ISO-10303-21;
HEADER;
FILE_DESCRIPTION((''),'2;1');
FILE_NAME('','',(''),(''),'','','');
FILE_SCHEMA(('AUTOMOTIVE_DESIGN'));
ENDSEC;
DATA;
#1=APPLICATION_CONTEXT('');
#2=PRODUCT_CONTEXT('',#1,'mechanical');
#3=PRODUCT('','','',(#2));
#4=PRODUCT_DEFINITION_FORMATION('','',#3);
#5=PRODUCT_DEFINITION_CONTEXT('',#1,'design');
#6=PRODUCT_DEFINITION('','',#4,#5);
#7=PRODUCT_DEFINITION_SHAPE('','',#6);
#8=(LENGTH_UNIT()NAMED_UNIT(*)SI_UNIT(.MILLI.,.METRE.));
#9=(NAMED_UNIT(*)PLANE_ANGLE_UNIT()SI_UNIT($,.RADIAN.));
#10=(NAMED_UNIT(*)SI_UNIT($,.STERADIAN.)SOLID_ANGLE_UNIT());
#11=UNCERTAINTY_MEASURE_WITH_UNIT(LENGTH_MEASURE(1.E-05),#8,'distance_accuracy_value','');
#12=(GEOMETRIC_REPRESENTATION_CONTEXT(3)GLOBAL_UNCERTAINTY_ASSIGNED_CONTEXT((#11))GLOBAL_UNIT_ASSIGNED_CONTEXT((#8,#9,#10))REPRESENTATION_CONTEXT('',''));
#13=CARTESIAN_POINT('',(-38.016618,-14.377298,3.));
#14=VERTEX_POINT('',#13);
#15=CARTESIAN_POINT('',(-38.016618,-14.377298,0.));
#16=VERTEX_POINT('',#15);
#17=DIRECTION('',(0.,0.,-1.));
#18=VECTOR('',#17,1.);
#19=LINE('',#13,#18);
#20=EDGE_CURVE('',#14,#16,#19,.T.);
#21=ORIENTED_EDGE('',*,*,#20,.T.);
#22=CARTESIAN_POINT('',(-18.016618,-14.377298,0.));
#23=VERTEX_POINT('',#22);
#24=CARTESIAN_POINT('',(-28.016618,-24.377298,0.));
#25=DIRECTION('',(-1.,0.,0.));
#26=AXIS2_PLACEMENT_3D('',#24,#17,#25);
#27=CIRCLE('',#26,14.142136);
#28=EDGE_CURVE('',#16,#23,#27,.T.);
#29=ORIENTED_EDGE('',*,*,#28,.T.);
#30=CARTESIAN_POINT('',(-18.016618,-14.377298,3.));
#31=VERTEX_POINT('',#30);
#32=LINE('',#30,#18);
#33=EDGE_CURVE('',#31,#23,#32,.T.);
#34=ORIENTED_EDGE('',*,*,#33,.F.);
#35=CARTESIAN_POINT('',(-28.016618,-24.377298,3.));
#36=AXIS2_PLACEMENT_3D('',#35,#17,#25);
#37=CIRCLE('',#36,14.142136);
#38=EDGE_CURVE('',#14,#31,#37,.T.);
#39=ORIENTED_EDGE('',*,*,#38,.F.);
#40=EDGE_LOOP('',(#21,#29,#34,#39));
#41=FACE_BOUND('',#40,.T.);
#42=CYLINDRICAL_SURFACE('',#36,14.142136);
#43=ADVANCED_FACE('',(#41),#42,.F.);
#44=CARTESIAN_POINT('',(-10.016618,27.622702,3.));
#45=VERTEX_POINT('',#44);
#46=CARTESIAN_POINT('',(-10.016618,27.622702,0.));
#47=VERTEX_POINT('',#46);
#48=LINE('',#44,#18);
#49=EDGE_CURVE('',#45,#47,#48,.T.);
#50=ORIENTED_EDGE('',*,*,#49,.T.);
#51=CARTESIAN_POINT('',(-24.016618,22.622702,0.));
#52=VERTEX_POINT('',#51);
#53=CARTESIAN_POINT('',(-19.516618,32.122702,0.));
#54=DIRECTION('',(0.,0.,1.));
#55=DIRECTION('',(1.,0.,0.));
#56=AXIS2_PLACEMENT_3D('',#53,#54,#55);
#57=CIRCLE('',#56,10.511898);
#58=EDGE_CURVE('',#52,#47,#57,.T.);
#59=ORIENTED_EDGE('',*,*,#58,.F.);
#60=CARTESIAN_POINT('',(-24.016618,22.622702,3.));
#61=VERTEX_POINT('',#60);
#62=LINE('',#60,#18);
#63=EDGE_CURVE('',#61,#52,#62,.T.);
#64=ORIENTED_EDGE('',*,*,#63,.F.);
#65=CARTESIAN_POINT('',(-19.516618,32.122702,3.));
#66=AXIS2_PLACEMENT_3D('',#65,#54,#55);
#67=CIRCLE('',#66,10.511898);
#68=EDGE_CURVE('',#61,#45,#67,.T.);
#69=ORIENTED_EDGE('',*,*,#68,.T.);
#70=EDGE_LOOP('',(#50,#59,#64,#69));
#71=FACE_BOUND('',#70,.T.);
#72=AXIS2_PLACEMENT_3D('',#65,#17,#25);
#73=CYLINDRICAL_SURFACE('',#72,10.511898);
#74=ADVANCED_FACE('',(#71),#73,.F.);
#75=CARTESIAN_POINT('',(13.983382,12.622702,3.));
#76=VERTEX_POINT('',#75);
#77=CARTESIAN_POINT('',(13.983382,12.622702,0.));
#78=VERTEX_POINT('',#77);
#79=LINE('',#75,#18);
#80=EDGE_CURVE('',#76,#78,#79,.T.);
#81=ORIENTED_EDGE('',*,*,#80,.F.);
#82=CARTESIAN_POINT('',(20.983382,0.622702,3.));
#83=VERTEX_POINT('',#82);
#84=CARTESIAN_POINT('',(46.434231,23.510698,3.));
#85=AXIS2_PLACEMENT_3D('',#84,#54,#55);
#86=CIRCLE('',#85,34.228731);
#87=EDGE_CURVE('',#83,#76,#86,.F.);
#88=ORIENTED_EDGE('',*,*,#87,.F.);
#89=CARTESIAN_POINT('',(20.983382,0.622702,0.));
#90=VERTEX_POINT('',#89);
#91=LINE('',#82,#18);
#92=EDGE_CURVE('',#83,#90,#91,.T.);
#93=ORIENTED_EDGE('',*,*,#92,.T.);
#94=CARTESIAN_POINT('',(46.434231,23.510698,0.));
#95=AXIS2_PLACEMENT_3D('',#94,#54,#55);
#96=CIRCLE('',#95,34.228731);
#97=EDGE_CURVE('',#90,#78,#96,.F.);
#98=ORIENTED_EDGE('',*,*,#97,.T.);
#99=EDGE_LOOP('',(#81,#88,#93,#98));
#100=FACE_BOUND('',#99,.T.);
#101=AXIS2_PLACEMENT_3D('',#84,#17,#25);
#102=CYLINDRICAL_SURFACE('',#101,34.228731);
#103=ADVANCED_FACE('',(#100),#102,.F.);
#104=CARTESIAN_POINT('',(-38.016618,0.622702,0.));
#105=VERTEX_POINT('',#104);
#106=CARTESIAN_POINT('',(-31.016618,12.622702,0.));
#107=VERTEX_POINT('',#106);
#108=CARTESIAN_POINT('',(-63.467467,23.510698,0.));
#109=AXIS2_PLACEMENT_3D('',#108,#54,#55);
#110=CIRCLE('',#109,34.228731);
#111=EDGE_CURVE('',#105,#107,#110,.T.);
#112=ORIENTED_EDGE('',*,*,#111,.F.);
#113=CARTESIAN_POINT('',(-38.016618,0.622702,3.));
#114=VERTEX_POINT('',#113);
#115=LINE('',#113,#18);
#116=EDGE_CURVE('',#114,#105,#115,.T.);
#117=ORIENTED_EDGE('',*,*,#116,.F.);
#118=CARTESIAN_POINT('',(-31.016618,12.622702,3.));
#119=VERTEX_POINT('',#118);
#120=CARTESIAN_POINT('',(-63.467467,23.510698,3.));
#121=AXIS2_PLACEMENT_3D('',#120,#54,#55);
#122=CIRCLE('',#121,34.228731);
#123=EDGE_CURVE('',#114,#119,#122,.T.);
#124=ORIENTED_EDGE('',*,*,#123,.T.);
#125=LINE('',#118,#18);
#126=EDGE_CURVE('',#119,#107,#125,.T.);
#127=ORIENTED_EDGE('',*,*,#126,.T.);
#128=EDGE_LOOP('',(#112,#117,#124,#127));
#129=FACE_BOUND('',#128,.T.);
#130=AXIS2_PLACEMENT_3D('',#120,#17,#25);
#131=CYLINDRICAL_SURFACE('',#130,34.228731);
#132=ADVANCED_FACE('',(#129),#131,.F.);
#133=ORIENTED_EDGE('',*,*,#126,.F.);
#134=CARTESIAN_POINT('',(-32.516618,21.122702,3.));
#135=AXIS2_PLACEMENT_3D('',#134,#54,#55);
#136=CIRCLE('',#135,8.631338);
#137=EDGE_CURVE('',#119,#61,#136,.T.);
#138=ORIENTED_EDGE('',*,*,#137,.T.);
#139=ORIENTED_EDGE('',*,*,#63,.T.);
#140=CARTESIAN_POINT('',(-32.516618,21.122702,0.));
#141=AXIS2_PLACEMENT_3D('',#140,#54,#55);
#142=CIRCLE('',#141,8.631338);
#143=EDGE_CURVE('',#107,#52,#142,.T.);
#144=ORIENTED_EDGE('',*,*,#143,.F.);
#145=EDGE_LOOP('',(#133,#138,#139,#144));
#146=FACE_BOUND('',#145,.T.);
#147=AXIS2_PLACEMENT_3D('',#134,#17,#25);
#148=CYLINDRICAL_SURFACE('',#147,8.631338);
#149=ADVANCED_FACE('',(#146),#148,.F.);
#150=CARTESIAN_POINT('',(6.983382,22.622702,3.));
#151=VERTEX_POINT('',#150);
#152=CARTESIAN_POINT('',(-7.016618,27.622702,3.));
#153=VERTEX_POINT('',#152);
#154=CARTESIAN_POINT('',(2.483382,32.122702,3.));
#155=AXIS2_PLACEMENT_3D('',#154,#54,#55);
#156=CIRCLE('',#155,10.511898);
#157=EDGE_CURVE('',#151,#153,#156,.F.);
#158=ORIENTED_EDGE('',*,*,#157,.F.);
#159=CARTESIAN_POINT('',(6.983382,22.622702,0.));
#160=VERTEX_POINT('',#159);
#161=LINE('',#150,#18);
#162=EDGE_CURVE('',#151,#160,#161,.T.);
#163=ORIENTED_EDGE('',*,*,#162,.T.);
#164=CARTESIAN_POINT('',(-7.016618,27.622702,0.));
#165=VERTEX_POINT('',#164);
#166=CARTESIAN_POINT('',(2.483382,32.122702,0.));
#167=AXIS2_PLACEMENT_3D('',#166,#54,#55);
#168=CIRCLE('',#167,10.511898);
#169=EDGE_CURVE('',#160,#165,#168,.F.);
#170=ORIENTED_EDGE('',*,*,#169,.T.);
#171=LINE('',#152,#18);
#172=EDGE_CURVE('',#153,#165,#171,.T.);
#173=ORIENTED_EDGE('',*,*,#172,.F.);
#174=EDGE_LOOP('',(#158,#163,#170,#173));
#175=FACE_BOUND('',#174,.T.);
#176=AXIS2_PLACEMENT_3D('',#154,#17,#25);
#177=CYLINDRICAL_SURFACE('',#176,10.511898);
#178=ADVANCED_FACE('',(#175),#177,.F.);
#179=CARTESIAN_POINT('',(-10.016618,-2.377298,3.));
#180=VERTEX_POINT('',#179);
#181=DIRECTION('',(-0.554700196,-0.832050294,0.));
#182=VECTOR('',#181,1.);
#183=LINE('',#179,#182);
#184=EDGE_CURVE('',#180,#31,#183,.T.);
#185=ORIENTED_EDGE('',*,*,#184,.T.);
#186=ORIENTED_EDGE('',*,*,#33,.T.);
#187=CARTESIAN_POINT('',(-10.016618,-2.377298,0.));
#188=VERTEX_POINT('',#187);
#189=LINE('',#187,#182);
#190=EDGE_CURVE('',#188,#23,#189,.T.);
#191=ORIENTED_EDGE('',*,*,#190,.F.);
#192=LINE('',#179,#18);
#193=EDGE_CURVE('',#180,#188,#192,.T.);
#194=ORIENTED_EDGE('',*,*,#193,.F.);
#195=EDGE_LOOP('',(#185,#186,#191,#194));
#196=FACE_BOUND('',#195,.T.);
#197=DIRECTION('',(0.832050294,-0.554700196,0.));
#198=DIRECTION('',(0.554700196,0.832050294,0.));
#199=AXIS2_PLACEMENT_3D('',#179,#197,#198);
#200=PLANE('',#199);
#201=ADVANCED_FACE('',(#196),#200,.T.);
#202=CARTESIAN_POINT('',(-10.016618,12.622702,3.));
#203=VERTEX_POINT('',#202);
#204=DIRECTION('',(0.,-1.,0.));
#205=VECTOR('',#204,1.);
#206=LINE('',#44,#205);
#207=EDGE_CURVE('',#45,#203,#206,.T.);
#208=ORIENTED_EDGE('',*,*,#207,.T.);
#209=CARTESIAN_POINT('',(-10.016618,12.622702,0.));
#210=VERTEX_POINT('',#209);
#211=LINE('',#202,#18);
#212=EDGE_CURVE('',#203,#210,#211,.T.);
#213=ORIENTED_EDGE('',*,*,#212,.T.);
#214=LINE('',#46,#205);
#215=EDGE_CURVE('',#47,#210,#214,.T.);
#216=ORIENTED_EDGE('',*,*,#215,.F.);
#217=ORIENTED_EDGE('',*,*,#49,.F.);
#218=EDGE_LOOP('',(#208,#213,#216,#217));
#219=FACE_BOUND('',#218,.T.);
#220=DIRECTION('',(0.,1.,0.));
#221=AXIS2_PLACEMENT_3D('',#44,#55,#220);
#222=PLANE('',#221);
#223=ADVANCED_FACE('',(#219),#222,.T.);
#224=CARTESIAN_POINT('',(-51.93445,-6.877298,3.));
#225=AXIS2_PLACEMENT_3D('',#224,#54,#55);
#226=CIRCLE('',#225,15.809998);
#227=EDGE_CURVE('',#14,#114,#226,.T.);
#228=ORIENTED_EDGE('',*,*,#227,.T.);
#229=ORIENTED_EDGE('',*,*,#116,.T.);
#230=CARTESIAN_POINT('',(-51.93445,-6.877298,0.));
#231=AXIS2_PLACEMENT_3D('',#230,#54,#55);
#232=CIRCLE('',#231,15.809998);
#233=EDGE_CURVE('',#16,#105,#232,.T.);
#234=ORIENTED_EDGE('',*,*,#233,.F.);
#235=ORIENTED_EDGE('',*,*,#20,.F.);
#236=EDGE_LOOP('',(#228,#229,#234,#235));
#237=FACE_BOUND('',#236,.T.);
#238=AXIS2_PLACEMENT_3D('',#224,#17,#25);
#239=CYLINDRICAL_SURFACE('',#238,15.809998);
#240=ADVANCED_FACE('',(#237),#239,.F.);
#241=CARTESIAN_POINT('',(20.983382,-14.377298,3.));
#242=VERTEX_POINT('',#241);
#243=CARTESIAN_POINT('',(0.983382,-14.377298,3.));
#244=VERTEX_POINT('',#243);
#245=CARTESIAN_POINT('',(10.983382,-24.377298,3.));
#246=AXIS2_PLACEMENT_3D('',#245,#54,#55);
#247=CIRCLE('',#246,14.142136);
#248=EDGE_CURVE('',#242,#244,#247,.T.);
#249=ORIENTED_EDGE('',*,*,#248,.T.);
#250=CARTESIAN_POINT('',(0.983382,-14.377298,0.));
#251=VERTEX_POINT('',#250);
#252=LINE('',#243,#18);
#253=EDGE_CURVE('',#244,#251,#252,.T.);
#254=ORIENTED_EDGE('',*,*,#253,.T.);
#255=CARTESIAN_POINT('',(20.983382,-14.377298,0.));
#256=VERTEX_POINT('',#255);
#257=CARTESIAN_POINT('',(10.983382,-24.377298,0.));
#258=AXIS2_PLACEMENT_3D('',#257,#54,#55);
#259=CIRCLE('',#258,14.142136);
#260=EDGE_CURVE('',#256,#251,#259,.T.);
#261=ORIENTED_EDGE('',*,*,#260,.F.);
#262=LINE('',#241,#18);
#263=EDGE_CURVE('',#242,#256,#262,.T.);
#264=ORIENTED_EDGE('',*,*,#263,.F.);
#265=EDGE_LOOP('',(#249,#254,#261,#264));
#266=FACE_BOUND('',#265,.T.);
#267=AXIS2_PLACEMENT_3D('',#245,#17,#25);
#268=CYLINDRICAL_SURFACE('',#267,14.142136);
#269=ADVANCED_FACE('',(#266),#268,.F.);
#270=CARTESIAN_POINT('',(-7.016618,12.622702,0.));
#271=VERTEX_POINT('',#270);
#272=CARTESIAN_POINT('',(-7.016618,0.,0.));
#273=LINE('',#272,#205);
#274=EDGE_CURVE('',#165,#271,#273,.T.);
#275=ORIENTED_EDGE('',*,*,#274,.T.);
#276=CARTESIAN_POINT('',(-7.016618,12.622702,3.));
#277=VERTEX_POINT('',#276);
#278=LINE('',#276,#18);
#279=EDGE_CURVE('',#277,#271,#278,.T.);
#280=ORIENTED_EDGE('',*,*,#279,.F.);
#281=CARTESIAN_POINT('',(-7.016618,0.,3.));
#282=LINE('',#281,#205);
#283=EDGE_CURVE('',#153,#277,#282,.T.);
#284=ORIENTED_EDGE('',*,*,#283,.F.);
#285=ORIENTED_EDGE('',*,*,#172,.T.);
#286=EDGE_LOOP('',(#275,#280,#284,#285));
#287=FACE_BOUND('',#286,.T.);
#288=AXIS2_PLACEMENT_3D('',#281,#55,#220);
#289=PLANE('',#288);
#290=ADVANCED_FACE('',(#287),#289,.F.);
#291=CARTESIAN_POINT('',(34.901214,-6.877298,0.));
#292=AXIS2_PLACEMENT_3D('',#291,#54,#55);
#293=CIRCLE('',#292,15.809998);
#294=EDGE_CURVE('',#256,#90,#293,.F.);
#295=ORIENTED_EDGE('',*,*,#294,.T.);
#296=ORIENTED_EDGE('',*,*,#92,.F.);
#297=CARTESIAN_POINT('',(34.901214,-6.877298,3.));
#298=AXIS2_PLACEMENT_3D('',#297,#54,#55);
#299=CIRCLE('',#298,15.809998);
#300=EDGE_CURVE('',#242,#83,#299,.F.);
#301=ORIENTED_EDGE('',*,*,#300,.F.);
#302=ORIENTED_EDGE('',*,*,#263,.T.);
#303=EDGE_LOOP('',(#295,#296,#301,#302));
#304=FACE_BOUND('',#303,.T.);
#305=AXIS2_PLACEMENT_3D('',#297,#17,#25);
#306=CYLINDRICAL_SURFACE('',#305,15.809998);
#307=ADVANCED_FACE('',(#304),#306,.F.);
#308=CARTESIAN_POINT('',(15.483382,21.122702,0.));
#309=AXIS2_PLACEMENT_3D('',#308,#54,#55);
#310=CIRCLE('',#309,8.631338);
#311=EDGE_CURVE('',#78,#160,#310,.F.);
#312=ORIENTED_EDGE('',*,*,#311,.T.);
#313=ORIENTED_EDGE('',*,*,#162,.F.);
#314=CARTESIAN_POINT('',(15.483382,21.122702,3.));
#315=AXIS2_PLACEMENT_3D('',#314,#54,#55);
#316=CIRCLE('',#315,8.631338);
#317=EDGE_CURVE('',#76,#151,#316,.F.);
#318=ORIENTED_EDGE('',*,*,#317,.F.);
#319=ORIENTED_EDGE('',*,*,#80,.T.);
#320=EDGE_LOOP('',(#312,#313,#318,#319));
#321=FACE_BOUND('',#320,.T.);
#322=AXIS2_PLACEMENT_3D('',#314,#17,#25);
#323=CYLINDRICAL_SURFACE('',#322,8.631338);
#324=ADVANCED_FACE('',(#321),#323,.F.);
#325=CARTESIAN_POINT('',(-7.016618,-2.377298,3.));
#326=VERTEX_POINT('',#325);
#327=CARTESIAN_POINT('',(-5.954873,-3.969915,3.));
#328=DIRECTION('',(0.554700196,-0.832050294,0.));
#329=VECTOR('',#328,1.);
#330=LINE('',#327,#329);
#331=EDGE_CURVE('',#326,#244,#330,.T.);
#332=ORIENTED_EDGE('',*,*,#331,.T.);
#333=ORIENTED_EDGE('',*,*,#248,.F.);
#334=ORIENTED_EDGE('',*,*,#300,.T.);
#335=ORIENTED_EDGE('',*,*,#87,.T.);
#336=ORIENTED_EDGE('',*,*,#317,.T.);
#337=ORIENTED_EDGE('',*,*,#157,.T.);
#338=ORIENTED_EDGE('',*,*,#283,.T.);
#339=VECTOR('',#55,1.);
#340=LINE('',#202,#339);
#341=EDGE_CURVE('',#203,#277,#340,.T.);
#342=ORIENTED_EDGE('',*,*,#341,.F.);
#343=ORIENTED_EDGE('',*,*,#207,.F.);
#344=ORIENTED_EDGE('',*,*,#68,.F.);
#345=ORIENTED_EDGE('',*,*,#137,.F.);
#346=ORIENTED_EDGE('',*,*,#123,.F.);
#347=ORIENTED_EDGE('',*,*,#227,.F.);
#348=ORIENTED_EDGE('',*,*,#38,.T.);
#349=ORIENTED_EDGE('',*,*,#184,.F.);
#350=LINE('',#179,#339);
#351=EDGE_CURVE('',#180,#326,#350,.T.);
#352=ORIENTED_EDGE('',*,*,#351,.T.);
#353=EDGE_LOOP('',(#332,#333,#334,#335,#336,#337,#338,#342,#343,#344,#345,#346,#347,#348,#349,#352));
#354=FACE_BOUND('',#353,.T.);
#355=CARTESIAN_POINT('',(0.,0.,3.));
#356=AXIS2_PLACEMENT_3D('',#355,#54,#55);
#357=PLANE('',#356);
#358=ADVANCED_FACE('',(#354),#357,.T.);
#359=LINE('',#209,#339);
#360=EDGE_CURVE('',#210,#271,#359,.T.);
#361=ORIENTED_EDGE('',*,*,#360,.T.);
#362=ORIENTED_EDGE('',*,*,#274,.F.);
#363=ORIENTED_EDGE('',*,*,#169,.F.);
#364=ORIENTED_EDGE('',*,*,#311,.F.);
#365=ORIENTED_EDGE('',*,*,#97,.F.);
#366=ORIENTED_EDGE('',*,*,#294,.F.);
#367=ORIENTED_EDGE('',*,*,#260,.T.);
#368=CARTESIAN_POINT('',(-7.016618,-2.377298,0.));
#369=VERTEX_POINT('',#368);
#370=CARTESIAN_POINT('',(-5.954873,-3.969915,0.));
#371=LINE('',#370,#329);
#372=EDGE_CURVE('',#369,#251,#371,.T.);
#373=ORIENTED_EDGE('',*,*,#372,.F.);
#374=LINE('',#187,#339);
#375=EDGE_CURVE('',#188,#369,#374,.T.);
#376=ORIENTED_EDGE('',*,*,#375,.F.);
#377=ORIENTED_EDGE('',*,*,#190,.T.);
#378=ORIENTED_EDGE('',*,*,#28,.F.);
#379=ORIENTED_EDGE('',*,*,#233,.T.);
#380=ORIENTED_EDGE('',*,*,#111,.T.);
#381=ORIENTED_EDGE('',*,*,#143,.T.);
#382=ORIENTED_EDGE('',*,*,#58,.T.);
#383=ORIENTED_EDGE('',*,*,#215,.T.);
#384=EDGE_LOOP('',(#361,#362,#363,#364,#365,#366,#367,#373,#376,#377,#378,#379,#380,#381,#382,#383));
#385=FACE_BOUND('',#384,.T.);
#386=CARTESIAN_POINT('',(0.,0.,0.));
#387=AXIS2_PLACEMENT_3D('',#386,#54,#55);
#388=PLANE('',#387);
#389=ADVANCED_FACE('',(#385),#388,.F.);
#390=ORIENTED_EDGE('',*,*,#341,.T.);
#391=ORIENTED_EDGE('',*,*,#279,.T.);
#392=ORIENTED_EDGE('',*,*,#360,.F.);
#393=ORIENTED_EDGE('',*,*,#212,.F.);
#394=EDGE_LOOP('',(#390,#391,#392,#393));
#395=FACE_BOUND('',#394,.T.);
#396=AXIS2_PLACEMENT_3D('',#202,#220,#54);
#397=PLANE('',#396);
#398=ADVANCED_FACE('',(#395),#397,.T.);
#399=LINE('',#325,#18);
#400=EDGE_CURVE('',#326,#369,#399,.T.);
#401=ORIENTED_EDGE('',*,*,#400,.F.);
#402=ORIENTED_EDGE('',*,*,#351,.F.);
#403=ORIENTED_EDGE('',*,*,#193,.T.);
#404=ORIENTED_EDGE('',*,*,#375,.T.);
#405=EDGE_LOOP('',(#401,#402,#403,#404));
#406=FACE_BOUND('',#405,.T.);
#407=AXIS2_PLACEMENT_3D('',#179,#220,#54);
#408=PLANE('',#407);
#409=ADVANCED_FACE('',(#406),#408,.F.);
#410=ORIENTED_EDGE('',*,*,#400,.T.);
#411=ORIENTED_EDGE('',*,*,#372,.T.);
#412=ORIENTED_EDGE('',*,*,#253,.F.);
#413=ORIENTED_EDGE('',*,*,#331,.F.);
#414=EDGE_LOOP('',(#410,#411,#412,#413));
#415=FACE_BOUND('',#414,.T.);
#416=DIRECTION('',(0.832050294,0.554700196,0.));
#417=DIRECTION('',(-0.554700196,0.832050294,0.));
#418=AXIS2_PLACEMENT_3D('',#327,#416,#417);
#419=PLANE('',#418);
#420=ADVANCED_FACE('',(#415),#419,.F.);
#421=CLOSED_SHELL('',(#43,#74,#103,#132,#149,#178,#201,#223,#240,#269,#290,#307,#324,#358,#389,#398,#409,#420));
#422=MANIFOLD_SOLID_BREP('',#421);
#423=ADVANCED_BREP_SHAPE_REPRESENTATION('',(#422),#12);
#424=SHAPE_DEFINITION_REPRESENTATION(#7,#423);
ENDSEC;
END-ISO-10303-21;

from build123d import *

# Parameters (mm, degrees)
SALIENTE_EXTRUIR2_DEPTH = 3


with BuildPart() as part:
    # Croquis1 → Saliente-Extruir2 (new body)
    with BuildSketch(Plane.XY):
        with BuildLine():
            Line((-7.016617782, 12.62270249), (-10.016617782, 12.62270249))
            Line((-10.016617782, 12.62270249), (-10.016617782, 27.62270249))
            ThreePointArc((-10.016617782, 27.62270249), (-15.981083876, 22.223207554), (-24.016617782, 22.62270249))
            ThreePointArc((-24.016617782, 22.62270249), (-25.44554997, 16.172955022), (-31.016617782, 12.62270249))
            ThreePointArc((-31.016617782, 12.62270249), (-33.901410943, 6.263831835), (-38.016617782, 0.62270249))
            ThreePointArc((-38.016617782, 0.62270249), (-36.124451454, -6.87729751), (-38.016617782, -14.37729751))
            ThreePointArc((-38.016617782, -14.37729751), (-28.016617782, -10.235161886), (-18.016617782, -14.37729751))
            Line((-18.016617782, -14.37729751), (-10.016617782, -2.37729751))
            Line((-10.016617782, -2.37729751), (-7.016617782, -2.37729751))
            Line((-7.016617782, -2.37729751), (0.983382218, -14.37729751))
            ThreePointArc((0.983382218, -14.37729751), (10.983382218, -10.235161886), (20.983382218, -14.37729751))
            ThreePointArc((20.983382218, -14.37729751), (19.09121589, -6.87729751), (20.983382218, 0.62270249))
            ThreePointArc((20.983382218, 0.62270249), (16.868175379, 6.263831835), (13.983382218, 12.62270249))
            ThreePointArc((13.983382218, 12.62270249), (8.412314406, 16.172955022), (6.983382218, 22.62270249))
            ThreePointArc((6.983382218, 22.62270249), (-1.052151688, 22.223207554), (-7.016617782, 27.62270249))
            Line((-7.016617782, 27.62270249), (-7.016617782, 12.62270249))
        make_face()
    extrude(amount=SALIENTE_EXTRUIR2_DEPTH)


solid = part.part
